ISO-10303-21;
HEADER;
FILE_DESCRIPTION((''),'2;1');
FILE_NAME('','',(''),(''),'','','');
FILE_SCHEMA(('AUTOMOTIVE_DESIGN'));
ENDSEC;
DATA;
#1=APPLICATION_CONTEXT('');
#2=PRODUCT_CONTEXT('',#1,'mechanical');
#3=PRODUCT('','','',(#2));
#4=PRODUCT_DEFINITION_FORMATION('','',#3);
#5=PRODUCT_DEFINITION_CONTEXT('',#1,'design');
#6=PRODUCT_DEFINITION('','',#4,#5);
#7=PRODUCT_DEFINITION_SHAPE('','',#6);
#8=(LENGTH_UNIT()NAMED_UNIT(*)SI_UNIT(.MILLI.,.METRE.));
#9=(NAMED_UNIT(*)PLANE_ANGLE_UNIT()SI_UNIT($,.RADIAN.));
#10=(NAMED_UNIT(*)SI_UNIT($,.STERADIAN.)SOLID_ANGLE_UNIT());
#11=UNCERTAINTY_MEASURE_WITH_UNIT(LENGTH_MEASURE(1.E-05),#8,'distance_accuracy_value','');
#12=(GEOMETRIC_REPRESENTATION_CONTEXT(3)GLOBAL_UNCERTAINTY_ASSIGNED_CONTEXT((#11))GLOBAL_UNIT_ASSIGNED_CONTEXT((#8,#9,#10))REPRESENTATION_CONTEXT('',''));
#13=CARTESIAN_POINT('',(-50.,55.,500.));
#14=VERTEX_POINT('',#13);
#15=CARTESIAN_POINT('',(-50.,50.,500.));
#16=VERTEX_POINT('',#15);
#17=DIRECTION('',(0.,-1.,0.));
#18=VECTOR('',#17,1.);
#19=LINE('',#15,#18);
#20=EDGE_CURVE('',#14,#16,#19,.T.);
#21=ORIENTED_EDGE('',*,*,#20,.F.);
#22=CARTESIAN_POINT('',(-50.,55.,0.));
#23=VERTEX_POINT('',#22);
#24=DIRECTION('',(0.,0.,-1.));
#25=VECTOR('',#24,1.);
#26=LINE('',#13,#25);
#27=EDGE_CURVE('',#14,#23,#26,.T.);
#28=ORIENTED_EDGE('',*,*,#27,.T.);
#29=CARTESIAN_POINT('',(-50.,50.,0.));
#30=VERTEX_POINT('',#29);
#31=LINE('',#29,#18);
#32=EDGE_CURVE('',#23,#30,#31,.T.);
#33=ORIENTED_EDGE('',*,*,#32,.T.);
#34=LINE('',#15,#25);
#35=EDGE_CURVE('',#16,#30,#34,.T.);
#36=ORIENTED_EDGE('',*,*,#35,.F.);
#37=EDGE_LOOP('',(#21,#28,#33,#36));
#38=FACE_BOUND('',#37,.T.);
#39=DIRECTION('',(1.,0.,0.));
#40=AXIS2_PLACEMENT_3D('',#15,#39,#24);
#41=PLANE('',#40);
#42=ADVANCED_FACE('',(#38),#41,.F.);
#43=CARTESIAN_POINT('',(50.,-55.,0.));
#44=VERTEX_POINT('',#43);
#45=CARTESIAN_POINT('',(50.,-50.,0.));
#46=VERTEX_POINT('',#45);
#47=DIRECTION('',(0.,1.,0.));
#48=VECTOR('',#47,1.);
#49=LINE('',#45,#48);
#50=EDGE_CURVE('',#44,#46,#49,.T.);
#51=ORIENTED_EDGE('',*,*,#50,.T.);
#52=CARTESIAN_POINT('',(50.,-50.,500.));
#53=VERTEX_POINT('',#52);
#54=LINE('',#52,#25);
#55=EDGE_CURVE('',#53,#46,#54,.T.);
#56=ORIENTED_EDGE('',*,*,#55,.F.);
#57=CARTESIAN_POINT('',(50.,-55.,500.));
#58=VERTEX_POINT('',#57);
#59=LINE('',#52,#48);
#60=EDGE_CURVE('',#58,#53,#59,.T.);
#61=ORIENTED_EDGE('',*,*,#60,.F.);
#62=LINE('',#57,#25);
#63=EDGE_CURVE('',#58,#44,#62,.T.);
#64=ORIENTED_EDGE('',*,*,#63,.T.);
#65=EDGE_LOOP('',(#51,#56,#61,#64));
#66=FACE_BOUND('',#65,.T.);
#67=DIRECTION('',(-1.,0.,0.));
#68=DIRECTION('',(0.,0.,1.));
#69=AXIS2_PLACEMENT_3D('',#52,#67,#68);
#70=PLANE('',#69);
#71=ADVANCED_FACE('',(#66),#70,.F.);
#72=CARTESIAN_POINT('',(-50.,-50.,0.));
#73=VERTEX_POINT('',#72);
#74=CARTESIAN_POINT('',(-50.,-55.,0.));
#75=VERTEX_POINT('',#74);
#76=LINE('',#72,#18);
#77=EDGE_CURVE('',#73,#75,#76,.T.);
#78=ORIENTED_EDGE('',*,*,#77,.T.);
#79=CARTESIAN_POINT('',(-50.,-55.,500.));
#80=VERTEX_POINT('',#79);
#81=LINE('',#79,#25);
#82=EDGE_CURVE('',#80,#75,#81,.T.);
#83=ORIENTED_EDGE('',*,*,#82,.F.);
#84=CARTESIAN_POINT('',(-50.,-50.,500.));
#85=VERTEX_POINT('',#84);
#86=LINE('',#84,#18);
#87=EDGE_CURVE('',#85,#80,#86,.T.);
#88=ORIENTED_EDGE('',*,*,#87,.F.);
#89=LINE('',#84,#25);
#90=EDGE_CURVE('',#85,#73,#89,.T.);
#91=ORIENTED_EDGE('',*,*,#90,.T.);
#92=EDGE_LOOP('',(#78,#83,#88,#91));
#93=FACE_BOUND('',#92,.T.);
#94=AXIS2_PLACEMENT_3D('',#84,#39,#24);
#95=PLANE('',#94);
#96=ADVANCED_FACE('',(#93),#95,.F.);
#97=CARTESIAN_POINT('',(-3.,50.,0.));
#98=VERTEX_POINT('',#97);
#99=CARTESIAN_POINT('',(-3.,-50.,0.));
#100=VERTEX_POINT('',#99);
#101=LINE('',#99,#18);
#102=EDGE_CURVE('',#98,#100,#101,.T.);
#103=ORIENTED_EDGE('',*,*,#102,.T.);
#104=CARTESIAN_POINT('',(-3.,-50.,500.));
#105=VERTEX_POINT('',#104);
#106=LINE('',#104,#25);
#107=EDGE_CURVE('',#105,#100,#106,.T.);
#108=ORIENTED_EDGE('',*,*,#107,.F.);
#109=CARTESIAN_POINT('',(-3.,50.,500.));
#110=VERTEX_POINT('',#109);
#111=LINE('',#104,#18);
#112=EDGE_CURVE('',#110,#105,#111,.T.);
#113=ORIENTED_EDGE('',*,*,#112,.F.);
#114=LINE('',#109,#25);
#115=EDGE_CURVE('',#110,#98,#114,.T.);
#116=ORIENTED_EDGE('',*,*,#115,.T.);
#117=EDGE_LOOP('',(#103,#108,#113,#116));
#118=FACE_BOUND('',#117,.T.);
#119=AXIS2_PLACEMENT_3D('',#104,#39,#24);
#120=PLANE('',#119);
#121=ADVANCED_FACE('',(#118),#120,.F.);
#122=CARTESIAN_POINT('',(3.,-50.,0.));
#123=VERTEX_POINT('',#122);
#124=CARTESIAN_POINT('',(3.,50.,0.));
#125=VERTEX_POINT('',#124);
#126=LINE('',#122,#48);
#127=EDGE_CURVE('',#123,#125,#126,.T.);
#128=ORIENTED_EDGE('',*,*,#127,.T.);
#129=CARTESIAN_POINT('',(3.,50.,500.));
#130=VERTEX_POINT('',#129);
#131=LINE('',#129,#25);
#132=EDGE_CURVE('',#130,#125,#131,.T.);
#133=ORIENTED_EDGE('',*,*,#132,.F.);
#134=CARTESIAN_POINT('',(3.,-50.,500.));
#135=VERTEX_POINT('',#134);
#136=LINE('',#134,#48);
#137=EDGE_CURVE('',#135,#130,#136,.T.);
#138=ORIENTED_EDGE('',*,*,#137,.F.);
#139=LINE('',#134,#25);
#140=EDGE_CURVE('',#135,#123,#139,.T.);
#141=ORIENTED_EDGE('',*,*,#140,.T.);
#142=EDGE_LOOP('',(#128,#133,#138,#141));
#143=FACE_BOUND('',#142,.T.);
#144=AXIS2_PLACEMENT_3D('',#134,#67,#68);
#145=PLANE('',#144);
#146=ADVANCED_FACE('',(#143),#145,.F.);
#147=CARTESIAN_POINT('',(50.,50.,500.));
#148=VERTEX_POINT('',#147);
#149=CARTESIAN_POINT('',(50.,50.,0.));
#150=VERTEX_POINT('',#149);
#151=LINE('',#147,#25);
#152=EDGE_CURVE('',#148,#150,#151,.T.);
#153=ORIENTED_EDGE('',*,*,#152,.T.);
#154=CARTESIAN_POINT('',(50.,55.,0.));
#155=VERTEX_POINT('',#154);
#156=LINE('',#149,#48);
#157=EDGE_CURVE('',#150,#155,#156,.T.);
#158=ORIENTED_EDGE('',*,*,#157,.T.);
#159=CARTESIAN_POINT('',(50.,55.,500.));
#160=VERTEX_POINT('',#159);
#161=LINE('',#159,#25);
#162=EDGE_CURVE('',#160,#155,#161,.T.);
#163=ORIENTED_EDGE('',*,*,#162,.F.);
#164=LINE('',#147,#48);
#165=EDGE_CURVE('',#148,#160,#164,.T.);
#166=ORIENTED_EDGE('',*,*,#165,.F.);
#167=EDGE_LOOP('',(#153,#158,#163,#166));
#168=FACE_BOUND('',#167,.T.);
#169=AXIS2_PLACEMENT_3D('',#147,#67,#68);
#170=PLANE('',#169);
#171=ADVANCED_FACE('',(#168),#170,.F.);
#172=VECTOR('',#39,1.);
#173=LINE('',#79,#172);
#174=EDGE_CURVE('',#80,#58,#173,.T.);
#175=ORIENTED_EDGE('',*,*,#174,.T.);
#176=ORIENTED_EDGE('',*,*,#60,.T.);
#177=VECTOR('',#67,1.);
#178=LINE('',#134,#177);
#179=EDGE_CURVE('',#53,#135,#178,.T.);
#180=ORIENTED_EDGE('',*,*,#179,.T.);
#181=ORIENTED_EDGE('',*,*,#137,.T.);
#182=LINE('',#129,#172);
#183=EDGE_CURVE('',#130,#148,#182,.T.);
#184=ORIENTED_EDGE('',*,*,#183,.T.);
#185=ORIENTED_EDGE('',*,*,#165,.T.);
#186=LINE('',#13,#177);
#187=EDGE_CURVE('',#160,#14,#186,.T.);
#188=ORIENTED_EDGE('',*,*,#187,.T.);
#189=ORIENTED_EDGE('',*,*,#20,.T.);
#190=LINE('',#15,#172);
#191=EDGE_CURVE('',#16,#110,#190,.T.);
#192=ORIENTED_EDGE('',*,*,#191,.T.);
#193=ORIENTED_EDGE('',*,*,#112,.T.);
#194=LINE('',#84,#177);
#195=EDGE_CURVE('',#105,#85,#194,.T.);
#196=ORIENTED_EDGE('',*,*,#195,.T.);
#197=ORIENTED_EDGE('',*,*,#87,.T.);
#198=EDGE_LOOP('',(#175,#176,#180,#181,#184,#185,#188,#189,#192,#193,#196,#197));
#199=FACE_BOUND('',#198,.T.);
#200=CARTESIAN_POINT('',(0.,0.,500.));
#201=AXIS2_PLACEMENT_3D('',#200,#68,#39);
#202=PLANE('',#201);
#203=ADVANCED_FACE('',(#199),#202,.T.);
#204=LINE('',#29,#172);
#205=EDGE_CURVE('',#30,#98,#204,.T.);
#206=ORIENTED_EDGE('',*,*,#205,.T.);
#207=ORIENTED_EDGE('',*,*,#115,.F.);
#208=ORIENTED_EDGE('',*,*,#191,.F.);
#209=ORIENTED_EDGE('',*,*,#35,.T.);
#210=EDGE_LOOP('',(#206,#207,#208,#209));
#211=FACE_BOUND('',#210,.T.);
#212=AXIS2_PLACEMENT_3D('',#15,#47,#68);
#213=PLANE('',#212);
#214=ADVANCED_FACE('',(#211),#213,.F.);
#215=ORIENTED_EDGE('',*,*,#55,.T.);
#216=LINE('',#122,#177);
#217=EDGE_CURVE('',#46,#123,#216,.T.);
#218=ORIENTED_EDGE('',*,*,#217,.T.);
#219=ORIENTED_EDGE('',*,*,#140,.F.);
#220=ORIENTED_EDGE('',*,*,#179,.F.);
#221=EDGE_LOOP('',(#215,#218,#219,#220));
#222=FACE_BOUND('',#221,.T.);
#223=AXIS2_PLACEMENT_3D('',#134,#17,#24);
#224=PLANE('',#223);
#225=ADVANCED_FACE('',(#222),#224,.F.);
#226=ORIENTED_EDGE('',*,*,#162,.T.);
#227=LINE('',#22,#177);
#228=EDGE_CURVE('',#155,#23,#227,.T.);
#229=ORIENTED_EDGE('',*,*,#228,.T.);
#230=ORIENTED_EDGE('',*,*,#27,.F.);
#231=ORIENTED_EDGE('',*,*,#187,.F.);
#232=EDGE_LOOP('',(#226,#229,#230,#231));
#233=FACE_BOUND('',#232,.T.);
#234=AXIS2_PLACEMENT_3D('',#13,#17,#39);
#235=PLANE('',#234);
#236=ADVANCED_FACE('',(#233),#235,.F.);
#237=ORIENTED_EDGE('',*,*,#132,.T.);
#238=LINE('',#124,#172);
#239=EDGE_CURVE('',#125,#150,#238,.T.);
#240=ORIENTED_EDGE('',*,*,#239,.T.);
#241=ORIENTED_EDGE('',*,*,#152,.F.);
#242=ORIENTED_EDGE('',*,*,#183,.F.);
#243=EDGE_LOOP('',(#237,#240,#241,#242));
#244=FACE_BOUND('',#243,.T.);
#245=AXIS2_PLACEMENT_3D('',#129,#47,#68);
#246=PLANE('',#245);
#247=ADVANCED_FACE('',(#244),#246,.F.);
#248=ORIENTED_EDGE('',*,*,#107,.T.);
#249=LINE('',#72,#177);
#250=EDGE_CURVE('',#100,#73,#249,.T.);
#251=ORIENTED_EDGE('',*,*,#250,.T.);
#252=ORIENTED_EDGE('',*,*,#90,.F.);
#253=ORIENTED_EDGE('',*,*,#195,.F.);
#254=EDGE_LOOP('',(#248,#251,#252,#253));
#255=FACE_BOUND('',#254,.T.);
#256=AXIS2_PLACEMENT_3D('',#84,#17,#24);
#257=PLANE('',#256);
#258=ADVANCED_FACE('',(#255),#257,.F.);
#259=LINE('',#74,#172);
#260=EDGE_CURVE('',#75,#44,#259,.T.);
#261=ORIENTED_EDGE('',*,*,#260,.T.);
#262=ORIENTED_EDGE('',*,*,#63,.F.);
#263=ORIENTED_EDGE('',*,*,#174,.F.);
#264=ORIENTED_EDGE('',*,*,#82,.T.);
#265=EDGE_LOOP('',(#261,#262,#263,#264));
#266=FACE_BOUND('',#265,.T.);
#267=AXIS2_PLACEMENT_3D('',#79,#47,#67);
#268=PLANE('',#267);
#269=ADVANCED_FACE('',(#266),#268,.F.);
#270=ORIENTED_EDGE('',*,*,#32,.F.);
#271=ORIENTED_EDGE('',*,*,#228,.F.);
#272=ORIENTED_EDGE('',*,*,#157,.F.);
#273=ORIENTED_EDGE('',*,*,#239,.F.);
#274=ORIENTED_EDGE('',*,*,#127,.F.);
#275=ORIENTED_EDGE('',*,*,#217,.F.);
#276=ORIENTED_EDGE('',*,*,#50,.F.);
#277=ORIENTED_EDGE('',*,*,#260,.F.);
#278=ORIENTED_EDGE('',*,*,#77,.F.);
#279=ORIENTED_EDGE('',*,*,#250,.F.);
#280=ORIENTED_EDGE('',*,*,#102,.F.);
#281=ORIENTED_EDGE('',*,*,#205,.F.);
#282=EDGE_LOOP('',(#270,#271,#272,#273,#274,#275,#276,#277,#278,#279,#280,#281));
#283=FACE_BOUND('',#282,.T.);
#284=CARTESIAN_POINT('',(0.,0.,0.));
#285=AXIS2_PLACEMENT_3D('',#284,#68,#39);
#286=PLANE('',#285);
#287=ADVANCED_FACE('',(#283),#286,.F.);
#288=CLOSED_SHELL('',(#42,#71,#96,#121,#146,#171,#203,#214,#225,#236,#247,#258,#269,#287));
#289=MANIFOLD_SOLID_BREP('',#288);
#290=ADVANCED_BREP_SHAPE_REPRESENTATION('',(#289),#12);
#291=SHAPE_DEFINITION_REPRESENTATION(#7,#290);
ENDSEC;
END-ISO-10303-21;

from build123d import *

# Parameters (mm, degrees)
BOSS_EXTRUDE1_DEPTH = 500


with BuildPart() as part:
    # Sketch1 → Boss-Extrude1 (new body)
    with BuildSketch(Plane.XY):
        Polygon((3, -50), (3, 50), (50, 50), (50, 55), (-50, 55), (-50, 50), (-3, 50), (-3, -50), (-50, -50), (-50, -55), (50, -55), (50, -50), align=None)
    extrude(amount=BOSS_EXTRUDE1_DEPTH)


solid = part.part
